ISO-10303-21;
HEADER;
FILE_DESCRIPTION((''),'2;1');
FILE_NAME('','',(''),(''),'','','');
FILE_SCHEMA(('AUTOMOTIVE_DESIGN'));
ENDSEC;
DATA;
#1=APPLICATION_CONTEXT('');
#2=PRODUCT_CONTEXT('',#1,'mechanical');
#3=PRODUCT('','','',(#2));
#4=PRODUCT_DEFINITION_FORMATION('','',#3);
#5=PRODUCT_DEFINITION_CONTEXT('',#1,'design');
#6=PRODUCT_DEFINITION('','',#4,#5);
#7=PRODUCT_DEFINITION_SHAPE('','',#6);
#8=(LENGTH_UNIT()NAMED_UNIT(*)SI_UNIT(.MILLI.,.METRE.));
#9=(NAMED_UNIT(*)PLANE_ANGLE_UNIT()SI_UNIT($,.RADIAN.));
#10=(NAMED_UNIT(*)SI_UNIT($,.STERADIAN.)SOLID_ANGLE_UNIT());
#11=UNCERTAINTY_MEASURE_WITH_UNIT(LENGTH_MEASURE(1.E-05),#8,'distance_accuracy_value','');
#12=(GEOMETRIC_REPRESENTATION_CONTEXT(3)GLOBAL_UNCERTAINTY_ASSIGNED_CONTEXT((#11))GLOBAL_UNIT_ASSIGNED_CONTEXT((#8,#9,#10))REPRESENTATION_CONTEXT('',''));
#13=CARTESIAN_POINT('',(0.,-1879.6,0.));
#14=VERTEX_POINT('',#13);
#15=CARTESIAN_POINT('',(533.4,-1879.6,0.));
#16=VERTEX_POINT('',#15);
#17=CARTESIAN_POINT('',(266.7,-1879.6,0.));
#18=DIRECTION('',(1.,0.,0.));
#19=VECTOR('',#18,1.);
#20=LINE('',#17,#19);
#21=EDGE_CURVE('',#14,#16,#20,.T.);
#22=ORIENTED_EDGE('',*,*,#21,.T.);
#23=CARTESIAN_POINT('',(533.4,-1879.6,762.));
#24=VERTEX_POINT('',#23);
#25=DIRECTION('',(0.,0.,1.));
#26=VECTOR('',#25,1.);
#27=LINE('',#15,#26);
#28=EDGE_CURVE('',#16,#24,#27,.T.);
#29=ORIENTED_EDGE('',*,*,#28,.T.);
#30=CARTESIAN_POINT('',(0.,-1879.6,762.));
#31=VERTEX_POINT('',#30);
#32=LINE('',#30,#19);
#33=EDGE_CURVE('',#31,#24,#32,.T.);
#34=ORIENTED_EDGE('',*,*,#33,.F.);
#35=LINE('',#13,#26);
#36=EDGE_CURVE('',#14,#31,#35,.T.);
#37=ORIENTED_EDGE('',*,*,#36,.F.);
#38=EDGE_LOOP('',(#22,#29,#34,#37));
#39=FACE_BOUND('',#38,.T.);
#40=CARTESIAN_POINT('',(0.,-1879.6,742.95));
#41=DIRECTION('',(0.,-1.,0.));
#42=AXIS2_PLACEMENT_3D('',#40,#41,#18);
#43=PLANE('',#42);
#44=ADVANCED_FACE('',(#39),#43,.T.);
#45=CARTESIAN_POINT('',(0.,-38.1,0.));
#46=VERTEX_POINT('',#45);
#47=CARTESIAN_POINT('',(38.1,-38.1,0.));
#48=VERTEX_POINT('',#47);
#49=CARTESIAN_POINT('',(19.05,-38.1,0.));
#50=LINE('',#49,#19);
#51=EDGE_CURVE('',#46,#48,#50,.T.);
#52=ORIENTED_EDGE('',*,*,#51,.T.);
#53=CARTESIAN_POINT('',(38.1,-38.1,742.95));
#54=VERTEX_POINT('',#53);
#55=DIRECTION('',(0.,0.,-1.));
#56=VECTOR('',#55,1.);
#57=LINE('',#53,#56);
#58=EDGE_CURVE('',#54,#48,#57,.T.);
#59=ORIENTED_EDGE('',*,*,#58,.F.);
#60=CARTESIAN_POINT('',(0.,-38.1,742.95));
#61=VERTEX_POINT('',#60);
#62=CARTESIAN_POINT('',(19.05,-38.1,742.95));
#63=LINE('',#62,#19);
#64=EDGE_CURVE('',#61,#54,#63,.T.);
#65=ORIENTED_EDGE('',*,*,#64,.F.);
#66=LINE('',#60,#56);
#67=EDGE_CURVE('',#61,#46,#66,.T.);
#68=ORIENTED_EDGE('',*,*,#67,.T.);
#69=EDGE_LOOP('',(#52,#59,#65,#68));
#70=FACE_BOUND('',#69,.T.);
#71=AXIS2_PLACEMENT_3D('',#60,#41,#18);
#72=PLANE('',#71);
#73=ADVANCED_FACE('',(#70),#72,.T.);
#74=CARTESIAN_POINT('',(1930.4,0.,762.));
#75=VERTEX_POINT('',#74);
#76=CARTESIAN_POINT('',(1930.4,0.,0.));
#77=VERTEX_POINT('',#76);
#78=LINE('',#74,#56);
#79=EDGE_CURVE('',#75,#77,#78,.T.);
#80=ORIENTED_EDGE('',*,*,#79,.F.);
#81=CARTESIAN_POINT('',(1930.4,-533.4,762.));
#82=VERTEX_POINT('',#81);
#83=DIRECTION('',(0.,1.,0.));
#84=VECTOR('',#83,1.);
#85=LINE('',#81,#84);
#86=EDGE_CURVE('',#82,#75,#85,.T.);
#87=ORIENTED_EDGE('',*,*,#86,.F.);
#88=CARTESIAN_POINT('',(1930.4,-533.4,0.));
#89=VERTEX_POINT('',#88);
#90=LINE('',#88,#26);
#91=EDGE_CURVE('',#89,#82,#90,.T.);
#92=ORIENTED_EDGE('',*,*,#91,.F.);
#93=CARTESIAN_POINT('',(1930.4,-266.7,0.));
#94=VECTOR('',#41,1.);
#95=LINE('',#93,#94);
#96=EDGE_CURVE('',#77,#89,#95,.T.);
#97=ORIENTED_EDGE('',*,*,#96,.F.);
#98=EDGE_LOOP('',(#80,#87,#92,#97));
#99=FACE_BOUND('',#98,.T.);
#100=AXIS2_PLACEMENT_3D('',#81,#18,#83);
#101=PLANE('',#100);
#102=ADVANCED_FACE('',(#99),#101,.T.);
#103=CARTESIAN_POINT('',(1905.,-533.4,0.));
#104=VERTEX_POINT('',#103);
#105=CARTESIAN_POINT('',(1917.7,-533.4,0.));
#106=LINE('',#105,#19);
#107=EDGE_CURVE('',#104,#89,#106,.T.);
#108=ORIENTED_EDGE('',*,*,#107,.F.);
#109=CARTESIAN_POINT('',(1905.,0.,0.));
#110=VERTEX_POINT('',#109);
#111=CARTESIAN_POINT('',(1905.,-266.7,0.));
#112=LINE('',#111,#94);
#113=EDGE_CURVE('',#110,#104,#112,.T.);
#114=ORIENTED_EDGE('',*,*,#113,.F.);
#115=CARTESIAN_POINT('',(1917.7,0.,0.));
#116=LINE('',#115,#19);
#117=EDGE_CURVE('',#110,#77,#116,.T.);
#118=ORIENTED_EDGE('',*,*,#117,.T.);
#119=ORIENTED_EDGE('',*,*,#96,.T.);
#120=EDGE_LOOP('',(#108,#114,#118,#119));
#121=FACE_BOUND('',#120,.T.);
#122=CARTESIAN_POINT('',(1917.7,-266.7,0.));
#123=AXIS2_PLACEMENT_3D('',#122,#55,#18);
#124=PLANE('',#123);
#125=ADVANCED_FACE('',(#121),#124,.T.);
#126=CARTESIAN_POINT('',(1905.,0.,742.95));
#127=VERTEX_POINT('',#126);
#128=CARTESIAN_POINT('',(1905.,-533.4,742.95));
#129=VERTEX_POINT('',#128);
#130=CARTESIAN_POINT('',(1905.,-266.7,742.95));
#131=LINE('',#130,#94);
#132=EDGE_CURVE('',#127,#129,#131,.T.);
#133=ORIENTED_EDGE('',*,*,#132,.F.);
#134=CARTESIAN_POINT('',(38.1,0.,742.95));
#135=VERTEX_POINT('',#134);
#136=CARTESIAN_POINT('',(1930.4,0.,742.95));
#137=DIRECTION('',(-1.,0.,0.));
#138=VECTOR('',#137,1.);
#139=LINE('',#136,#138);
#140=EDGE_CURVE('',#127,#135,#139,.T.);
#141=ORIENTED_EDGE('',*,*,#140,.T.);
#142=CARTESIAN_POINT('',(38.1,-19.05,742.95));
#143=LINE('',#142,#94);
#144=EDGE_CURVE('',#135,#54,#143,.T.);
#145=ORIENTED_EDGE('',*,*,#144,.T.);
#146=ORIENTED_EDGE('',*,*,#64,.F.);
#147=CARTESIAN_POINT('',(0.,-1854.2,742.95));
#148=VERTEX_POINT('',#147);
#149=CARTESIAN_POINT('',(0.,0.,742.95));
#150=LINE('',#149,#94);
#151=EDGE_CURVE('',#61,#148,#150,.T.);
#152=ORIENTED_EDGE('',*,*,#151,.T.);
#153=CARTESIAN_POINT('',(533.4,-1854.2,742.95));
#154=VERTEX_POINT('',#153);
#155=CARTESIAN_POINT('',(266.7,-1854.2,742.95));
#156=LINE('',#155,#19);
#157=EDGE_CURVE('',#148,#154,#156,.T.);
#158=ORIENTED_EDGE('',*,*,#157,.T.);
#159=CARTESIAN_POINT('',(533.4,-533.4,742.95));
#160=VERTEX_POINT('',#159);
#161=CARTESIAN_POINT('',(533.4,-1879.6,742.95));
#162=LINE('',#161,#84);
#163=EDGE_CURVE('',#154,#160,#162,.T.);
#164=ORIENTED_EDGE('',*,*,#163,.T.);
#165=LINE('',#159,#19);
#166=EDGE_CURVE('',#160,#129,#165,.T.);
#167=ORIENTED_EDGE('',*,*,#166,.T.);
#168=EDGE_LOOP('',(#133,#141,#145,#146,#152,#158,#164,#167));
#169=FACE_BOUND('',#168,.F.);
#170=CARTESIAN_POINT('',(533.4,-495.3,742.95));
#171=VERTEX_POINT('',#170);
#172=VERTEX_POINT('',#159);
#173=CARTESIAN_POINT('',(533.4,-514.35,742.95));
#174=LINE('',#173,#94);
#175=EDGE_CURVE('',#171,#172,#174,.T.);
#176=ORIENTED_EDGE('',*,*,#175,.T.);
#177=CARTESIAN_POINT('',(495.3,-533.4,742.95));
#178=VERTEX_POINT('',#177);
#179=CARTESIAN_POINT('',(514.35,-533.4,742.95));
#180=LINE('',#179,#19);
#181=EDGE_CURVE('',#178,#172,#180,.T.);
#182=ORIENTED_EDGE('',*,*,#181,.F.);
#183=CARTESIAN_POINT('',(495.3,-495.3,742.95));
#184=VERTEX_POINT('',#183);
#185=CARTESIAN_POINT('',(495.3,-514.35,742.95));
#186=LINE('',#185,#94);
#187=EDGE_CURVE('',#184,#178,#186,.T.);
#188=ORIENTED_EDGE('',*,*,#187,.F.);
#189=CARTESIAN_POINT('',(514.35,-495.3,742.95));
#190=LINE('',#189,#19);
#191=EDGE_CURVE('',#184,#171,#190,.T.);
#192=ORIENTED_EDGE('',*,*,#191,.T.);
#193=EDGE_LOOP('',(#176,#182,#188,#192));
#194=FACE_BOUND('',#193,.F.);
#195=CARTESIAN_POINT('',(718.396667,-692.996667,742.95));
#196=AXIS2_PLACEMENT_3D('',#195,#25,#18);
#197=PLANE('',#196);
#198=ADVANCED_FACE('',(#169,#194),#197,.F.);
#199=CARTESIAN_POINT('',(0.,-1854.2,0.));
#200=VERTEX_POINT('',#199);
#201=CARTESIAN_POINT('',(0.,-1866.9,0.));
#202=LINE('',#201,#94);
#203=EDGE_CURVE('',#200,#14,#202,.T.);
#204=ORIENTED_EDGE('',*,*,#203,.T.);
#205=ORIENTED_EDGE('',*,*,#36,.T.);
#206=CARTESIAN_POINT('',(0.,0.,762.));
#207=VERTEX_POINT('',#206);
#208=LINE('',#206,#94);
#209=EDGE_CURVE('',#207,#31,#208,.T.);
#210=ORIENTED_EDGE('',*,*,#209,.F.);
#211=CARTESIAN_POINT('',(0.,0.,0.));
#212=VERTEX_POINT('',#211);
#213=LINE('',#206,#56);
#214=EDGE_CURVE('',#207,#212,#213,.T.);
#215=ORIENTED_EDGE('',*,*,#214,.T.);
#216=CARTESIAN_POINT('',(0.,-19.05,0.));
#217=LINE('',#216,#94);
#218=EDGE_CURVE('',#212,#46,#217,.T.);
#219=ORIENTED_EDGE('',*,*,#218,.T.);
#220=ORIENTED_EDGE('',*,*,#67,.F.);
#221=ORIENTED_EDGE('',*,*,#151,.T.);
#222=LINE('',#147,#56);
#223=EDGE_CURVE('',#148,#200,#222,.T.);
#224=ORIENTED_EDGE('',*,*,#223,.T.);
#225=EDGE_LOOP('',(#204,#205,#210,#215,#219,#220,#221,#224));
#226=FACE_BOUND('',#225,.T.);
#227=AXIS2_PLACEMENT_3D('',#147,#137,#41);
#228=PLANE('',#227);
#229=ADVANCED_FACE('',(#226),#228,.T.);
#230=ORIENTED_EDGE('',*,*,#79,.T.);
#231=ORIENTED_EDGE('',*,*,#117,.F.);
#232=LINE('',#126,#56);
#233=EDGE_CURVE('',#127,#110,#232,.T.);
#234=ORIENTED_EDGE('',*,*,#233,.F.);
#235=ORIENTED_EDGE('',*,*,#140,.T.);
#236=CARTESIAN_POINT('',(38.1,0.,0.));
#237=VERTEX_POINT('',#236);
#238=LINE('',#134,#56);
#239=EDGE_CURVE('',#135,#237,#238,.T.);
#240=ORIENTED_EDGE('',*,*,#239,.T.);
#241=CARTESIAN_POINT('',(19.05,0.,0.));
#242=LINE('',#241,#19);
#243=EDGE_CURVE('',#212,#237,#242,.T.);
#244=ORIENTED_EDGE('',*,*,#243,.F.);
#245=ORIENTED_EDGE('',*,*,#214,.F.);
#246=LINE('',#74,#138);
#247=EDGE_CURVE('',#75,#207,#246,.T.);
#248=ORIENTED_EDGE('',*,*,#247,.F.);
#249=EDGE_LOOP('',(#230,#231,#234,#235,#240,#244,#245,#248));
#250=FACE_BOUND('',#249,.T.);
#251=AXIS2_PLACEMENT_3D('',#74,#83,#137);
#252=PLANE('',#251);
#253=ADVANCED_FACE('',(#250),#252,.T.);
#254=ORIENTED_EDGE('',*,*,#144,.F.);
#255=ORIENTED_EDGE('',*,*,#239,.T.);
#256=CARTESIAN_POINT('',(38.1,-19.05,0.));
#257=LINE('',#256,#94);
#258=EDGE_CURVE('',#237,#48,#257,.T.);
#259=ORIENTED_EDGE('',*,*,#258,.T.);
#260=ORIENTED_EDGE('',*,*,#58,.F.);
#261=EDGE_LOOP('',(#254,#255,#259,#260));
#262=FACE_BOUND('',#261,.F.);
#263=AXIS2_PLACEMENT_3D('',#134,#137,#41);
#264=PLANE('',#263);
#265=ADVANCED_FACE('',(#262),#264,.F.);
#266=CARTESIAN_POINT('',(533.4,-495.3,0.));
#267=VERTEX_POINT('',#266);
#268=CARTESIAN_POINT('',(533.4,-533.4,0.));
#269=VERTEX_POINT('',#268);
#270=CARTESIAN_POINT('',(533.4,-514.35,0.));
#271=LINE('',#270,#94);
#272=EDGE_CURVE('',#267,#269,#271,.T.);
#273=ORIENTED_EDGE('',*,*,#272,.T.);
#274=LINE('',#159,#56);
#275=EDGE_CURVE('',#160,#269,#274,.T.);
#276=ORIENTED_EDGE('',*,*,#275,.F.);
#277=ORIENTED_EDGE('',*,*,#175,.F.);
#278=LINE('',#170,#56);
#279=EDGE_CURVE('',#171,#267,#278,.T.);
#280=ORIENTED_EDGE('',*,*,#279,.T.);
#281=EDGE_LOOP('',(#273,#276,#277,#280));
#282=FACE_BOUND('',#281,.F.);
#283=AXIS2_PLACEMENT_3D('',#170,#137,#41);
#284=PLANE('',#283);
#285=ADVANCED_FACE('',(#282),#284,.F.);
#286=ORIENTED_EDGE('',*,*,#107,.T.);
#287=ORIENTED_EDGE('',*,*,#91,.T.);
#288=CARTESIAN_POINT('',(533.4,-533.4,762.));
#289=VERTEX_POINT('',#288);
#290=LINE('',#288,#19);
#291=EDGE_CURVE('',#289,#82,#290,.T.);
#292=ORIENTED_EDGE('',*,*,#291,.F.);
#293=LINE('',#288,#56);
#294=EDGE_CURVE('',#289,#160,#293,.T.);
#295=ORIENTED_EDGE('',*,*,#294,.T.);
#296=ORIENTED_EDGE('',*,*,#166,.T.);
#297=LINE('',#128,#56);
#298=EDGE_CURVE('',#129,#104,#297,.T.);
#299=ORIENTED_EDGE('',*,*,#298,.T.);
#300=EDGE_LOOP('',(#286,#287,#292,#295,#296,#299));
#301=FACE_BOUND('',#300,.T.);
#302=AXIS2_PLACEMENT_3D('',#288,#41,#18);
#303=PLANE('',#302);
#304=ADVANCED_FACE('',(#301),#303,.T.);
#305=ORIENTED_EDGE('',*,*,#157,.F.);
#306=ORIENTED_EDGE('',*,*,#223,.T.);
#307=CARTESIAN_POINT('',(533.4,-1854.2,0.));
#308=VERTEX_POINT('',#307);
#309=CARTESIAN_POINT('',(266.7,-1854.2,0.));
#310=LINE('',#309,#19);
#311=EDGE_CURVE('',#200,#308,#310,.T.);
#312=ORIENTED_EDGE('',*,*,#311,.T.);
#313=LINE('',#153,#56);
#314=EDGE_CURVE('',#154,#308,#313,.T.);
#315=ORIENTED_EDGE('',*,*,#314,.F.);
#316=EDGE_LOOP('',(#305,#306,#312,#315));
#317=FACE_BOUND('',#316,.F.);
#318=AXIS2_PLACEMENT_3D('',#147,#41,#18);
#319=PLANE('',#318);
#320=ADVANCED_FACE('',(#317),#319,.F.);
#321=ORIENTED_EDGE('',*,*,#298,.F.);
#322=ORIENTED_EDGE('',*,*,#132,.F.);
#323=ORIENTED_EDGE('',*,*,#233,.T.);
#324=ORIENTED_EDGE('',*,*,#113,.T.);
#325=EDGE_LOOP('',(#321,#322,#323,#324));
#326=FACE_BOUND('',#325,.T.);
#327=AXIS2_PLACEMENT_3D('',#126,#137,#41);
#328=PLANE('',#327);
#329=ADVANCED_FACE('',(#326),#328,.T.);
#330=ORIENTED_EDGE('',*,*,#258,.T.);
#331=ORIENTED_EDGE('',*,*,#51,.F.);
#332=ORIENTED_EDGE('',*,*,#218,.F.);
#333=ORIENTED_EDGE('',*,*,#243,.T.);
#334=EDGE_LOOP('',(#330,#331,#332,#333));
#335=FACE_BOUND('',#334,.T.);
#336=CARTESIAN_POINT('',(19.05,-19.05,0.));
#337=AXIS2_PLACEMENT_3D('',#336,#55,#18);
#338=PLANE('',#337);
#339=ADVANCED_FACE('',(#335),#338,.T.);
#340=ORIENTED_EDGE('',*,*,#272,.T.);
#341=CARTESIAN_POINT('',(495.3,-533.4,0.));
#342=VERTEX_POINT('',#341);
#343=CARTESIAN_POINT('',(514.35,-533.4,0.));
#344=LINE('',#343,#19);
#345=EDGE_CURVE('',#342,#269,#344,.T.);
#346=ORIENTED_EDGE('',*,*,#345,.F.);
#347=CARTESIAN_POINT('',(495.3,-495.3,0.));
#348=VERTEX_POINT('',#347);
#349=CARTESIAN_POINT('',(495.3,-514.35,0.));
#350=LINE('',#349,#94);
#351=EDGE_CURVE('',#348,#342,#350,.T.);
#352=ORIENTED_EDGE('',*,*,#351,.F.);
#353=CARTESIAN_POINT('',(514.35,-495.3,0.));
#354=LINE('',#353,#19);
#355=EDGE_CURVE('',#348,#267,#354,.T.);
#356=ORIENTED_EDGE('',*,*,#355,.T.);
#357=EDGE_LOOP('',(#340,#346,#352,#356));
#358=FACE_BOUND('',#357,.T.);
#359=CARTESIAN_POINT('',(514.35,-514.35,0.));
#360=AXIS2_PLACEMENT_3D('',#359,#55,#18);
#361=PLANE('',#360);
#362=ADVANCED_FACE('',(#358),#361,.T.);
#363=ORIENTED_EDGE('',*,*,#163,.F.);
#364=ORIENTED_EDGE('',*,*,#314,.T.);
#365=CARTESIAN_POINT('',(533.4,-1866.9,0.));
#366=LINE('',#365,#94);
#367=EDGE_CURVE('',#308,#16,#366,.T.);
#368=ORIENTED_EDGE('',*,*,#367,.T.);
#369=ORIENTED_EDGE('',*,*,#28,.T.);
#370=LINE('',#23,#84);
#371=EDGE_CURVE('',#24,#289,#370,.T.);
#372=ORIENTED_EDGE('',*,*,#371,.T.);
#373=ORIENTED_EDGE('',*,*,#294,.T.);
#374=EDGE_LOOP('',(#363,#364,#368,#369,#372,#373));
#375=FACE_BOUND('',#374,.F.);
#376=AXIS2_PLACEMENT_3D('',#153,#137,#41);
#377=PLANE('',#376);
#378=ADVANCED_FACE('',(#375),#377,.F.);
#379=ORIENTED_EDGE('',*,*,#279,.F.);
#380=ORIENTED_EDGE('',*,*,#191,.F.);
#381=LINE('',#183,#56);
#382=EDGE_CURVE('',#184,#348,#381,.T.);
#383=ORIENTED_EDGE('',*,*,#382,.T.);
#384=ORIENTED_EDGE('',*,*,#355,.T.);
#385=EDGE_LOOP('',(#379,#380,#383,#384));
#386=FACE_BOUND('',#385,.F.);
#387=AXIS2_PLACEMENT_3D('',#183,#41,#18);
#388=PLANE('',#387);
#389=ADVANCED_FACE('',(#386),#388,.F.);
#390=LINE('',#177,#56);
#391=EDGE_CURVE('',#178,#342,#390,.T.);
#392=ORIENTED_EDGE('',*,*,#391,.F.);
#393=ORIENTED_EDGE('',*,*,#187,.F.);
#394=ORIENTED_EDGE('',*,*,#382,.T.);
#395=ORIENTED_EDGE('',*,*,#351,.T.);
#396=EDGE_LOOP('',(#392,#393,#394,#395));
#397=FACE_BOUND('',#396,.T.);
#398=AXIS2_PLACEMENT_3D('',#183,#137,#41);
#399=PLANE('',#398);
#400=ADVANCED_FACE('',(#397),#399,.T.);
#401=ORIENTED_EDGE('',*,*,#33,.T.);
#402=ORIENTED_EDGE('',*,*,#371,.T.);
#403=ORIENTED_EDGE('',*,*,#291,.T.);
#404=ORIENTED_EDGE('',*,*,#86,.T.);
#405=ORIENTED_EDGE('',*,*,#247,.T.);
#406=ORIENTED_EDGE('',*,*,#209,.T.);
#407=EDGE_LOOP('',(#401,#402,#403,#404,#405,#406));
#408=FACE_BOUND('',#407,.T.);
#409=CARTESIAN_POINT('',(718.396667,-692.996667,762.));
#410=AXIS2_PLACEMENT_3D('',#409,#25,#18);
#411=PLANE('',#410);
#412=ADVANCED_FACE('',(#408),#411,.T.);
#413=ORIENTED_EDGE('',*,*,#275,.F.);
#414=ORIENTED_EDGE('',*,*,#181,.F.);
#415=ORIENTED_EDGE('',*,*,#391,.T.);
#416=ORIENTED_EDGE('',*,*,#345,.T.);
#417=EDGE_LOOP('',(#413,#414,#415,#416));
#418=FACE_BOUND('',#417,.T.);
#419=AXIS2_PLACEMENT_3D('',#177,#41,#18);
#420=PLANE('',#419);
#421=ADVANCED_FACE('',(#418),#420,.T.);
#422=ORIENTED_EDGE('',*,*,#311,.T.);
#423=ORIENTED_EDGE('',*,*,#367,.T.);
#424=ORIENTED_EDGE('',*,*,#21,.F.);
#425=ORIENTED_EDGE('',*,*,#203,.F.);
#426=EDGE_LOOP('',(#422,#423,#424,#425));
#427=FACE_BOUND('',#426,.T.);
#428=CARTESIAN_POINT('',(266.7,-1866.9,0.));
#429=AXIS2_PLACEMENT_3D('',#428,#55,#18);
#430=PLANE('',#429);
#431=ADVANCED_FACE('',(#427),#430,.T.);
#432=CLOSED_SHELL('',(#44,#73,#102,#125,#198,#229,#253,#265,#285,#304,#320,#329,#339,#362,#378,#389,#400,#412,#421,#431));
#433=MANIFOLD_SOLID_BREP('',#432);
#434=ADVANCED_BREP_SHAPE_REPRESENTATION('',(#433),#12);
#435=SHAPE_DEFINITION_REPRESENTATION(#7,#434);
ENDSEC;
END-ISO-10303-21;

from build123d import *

# Parameters (mm, degrees)
F2_DEPTH = 19.05
F3_W     = 533.4
F3_H     = 25.4
F3_W_2   = 25.4
F3_H_2   = 533.4
F3_W_3   = 38.1
F3_H_3   = 38.1
F4_DEPTH = 742.95


with BuildPart() as f2:
    # F1 (on offset) → F2 (new body)
    with BuildSketch(Plane.XY.offset(762)):
        Polygon((1930.4, 0), (0, 0), (0, -533.4), (0, -1879.6), (533.4, -1879.6), (533.4, -533.4), (1930.4, -533.4), align=None)
    extrude(amount=-F2_DEPTH)

    # F3 (on face) → F4 (join, through all)
    with BuildSketch(Plane(origin=(0, 0, 742.95), x_dir=(1, 0, 0), z_dir=(0, 0, -1))):
        with Locations((266.7, 1866.9)):
            Rectangle(F3_W, F3_H)
        with Locations((1917.7, 266.7)):
            Rectangle(F3_W_2, F3_H_2)
        with Locations((514.35, 514.35)):
            Rectangle(F3_W_3, F3_H_3)
        with Locations((19.05, 19.05)):
            Rectangle(F3_W_3, F3_H_3)
    extrude(amount=F4_DEPTH)


solid = f2.part
